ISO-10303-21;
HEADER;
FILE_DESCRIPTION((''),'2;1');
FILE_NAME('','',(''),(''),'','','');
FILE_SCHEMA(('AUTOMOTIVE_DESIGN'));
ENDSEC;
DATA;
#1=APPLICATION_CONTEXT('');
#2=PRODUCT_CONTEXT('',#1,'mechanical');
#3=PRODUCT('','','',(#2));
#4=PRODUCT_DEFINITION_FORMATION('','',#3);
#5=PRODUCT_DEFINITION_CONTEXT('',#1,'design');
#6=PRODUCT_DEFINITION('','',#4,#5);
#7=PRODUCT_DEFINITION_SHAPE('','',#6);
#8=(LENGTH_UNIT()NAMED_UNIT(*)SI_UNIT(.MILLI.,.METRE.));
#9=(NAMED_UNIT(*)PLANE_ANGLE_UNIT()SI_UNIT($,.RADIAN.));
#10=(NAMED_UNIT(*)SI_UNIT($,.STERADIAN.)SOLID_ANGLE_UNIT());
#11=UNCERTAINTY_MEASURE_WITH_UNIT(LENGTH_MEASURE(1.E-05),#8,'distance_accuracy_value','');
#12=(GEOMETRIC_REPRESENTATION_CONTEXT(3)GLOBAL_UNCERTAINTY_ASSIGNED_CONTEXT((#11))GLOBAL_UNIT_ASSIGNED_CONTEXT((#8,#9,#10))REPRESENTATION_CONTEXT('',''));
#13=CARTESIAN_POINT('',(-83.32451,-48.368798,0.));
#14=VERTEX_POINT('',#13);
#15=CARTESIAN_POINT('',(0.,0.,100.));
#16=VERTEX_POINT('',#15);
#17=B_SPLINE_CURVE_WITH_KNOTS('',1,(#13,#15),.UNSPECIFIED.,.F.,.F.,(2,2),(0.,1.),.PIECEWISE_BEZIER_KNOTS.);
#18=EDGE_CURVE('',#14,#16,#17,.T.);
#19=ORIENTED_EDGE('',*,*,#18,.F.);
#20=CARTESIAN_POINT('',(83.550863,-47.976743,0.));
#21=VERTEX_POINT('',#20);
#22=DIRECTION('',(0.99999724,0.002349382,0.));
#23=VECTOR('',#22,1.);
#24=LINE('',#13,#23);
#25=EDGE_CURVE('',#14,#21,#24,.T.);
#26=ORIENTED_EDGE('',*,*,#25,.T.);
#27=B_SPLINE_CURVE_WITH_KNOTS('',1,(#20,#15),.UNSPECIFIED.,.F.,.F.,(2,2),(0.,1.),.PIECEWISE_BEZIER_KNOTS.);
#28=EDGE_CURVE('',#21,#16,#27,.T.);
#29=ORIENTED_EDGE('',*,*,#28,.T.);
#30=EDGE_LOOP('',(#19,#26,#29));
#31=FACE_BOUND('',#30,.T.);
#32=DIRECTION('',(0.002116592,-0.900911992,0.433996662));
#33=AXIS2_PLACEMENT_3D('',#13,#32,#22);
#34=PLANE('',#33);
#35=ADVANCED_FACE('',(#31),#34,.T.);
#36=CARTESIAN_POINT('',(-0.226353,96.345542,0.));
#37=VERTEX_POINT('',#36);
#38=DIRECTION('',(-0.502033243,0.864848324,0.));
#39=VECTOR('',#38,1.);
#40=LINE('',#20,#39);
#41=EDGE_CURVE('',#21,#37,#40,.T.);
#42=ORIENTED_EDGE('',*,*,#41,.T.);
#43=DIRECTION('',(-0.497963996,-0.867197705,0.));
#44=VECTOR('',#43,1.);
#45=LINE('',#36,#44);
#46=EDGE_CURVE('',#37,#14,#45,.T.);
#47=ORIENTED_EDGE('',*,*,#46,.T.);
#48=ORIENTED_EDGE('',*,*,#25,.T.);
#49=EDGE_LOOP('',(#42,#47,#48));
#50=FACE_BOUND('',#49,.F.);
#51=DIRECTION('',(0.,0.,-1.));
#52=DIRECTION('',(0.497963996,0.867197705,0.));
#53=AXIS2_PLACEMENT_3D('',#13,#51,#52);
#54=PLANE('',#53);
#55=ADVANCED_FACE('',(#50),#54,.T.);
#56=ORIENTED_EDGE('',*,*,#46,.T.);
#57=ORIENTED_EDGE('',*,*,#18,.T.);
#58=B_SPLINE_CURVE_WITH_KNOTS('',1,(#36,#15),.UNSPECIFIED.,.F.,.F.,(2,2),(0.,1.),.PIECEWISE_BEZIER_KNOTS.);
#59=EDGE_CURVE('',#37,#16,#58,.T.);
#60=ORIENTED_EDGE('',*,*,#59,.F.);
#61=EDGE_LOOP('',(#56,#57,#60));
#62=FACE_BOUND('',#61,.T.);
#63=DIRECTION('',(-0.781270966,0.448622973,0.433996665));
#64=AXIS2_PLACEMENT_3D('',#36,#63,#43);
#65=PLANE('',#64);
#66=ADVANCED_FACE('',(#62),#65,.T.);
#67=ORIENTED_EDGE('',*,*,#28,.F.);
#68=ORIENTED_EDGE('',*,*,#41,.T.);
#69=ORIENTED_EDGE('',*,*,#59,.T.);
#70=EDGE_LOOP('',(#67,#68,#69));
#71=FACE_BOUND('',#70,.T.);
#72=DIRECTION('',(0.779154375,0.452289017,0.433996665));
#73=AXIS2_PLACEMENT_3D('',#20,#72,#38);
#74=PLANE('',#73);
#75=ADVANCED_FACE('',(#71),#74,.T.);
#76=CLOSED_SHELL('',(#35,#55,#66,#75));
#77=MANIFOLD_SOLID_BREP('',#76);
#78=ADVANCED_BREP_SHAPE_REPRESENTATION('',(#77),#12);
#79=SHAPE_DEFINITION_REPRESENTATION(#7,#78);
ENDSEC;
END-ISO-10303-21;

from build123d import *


with BuildPart() as f3:
    # F0 (on Top) → F3 section 0
    with BuildSketch(Plane.XY, mode=Mode.PRIVATE) as f3_s0:
        Polygon((-83.32451, -48.368798), (83.550863, -47.976743), (-0.226353, 96.345542), align=None)
    loft([f3_s0.sketch, Vertex(0, 0, 100)])


solid = f3.part
